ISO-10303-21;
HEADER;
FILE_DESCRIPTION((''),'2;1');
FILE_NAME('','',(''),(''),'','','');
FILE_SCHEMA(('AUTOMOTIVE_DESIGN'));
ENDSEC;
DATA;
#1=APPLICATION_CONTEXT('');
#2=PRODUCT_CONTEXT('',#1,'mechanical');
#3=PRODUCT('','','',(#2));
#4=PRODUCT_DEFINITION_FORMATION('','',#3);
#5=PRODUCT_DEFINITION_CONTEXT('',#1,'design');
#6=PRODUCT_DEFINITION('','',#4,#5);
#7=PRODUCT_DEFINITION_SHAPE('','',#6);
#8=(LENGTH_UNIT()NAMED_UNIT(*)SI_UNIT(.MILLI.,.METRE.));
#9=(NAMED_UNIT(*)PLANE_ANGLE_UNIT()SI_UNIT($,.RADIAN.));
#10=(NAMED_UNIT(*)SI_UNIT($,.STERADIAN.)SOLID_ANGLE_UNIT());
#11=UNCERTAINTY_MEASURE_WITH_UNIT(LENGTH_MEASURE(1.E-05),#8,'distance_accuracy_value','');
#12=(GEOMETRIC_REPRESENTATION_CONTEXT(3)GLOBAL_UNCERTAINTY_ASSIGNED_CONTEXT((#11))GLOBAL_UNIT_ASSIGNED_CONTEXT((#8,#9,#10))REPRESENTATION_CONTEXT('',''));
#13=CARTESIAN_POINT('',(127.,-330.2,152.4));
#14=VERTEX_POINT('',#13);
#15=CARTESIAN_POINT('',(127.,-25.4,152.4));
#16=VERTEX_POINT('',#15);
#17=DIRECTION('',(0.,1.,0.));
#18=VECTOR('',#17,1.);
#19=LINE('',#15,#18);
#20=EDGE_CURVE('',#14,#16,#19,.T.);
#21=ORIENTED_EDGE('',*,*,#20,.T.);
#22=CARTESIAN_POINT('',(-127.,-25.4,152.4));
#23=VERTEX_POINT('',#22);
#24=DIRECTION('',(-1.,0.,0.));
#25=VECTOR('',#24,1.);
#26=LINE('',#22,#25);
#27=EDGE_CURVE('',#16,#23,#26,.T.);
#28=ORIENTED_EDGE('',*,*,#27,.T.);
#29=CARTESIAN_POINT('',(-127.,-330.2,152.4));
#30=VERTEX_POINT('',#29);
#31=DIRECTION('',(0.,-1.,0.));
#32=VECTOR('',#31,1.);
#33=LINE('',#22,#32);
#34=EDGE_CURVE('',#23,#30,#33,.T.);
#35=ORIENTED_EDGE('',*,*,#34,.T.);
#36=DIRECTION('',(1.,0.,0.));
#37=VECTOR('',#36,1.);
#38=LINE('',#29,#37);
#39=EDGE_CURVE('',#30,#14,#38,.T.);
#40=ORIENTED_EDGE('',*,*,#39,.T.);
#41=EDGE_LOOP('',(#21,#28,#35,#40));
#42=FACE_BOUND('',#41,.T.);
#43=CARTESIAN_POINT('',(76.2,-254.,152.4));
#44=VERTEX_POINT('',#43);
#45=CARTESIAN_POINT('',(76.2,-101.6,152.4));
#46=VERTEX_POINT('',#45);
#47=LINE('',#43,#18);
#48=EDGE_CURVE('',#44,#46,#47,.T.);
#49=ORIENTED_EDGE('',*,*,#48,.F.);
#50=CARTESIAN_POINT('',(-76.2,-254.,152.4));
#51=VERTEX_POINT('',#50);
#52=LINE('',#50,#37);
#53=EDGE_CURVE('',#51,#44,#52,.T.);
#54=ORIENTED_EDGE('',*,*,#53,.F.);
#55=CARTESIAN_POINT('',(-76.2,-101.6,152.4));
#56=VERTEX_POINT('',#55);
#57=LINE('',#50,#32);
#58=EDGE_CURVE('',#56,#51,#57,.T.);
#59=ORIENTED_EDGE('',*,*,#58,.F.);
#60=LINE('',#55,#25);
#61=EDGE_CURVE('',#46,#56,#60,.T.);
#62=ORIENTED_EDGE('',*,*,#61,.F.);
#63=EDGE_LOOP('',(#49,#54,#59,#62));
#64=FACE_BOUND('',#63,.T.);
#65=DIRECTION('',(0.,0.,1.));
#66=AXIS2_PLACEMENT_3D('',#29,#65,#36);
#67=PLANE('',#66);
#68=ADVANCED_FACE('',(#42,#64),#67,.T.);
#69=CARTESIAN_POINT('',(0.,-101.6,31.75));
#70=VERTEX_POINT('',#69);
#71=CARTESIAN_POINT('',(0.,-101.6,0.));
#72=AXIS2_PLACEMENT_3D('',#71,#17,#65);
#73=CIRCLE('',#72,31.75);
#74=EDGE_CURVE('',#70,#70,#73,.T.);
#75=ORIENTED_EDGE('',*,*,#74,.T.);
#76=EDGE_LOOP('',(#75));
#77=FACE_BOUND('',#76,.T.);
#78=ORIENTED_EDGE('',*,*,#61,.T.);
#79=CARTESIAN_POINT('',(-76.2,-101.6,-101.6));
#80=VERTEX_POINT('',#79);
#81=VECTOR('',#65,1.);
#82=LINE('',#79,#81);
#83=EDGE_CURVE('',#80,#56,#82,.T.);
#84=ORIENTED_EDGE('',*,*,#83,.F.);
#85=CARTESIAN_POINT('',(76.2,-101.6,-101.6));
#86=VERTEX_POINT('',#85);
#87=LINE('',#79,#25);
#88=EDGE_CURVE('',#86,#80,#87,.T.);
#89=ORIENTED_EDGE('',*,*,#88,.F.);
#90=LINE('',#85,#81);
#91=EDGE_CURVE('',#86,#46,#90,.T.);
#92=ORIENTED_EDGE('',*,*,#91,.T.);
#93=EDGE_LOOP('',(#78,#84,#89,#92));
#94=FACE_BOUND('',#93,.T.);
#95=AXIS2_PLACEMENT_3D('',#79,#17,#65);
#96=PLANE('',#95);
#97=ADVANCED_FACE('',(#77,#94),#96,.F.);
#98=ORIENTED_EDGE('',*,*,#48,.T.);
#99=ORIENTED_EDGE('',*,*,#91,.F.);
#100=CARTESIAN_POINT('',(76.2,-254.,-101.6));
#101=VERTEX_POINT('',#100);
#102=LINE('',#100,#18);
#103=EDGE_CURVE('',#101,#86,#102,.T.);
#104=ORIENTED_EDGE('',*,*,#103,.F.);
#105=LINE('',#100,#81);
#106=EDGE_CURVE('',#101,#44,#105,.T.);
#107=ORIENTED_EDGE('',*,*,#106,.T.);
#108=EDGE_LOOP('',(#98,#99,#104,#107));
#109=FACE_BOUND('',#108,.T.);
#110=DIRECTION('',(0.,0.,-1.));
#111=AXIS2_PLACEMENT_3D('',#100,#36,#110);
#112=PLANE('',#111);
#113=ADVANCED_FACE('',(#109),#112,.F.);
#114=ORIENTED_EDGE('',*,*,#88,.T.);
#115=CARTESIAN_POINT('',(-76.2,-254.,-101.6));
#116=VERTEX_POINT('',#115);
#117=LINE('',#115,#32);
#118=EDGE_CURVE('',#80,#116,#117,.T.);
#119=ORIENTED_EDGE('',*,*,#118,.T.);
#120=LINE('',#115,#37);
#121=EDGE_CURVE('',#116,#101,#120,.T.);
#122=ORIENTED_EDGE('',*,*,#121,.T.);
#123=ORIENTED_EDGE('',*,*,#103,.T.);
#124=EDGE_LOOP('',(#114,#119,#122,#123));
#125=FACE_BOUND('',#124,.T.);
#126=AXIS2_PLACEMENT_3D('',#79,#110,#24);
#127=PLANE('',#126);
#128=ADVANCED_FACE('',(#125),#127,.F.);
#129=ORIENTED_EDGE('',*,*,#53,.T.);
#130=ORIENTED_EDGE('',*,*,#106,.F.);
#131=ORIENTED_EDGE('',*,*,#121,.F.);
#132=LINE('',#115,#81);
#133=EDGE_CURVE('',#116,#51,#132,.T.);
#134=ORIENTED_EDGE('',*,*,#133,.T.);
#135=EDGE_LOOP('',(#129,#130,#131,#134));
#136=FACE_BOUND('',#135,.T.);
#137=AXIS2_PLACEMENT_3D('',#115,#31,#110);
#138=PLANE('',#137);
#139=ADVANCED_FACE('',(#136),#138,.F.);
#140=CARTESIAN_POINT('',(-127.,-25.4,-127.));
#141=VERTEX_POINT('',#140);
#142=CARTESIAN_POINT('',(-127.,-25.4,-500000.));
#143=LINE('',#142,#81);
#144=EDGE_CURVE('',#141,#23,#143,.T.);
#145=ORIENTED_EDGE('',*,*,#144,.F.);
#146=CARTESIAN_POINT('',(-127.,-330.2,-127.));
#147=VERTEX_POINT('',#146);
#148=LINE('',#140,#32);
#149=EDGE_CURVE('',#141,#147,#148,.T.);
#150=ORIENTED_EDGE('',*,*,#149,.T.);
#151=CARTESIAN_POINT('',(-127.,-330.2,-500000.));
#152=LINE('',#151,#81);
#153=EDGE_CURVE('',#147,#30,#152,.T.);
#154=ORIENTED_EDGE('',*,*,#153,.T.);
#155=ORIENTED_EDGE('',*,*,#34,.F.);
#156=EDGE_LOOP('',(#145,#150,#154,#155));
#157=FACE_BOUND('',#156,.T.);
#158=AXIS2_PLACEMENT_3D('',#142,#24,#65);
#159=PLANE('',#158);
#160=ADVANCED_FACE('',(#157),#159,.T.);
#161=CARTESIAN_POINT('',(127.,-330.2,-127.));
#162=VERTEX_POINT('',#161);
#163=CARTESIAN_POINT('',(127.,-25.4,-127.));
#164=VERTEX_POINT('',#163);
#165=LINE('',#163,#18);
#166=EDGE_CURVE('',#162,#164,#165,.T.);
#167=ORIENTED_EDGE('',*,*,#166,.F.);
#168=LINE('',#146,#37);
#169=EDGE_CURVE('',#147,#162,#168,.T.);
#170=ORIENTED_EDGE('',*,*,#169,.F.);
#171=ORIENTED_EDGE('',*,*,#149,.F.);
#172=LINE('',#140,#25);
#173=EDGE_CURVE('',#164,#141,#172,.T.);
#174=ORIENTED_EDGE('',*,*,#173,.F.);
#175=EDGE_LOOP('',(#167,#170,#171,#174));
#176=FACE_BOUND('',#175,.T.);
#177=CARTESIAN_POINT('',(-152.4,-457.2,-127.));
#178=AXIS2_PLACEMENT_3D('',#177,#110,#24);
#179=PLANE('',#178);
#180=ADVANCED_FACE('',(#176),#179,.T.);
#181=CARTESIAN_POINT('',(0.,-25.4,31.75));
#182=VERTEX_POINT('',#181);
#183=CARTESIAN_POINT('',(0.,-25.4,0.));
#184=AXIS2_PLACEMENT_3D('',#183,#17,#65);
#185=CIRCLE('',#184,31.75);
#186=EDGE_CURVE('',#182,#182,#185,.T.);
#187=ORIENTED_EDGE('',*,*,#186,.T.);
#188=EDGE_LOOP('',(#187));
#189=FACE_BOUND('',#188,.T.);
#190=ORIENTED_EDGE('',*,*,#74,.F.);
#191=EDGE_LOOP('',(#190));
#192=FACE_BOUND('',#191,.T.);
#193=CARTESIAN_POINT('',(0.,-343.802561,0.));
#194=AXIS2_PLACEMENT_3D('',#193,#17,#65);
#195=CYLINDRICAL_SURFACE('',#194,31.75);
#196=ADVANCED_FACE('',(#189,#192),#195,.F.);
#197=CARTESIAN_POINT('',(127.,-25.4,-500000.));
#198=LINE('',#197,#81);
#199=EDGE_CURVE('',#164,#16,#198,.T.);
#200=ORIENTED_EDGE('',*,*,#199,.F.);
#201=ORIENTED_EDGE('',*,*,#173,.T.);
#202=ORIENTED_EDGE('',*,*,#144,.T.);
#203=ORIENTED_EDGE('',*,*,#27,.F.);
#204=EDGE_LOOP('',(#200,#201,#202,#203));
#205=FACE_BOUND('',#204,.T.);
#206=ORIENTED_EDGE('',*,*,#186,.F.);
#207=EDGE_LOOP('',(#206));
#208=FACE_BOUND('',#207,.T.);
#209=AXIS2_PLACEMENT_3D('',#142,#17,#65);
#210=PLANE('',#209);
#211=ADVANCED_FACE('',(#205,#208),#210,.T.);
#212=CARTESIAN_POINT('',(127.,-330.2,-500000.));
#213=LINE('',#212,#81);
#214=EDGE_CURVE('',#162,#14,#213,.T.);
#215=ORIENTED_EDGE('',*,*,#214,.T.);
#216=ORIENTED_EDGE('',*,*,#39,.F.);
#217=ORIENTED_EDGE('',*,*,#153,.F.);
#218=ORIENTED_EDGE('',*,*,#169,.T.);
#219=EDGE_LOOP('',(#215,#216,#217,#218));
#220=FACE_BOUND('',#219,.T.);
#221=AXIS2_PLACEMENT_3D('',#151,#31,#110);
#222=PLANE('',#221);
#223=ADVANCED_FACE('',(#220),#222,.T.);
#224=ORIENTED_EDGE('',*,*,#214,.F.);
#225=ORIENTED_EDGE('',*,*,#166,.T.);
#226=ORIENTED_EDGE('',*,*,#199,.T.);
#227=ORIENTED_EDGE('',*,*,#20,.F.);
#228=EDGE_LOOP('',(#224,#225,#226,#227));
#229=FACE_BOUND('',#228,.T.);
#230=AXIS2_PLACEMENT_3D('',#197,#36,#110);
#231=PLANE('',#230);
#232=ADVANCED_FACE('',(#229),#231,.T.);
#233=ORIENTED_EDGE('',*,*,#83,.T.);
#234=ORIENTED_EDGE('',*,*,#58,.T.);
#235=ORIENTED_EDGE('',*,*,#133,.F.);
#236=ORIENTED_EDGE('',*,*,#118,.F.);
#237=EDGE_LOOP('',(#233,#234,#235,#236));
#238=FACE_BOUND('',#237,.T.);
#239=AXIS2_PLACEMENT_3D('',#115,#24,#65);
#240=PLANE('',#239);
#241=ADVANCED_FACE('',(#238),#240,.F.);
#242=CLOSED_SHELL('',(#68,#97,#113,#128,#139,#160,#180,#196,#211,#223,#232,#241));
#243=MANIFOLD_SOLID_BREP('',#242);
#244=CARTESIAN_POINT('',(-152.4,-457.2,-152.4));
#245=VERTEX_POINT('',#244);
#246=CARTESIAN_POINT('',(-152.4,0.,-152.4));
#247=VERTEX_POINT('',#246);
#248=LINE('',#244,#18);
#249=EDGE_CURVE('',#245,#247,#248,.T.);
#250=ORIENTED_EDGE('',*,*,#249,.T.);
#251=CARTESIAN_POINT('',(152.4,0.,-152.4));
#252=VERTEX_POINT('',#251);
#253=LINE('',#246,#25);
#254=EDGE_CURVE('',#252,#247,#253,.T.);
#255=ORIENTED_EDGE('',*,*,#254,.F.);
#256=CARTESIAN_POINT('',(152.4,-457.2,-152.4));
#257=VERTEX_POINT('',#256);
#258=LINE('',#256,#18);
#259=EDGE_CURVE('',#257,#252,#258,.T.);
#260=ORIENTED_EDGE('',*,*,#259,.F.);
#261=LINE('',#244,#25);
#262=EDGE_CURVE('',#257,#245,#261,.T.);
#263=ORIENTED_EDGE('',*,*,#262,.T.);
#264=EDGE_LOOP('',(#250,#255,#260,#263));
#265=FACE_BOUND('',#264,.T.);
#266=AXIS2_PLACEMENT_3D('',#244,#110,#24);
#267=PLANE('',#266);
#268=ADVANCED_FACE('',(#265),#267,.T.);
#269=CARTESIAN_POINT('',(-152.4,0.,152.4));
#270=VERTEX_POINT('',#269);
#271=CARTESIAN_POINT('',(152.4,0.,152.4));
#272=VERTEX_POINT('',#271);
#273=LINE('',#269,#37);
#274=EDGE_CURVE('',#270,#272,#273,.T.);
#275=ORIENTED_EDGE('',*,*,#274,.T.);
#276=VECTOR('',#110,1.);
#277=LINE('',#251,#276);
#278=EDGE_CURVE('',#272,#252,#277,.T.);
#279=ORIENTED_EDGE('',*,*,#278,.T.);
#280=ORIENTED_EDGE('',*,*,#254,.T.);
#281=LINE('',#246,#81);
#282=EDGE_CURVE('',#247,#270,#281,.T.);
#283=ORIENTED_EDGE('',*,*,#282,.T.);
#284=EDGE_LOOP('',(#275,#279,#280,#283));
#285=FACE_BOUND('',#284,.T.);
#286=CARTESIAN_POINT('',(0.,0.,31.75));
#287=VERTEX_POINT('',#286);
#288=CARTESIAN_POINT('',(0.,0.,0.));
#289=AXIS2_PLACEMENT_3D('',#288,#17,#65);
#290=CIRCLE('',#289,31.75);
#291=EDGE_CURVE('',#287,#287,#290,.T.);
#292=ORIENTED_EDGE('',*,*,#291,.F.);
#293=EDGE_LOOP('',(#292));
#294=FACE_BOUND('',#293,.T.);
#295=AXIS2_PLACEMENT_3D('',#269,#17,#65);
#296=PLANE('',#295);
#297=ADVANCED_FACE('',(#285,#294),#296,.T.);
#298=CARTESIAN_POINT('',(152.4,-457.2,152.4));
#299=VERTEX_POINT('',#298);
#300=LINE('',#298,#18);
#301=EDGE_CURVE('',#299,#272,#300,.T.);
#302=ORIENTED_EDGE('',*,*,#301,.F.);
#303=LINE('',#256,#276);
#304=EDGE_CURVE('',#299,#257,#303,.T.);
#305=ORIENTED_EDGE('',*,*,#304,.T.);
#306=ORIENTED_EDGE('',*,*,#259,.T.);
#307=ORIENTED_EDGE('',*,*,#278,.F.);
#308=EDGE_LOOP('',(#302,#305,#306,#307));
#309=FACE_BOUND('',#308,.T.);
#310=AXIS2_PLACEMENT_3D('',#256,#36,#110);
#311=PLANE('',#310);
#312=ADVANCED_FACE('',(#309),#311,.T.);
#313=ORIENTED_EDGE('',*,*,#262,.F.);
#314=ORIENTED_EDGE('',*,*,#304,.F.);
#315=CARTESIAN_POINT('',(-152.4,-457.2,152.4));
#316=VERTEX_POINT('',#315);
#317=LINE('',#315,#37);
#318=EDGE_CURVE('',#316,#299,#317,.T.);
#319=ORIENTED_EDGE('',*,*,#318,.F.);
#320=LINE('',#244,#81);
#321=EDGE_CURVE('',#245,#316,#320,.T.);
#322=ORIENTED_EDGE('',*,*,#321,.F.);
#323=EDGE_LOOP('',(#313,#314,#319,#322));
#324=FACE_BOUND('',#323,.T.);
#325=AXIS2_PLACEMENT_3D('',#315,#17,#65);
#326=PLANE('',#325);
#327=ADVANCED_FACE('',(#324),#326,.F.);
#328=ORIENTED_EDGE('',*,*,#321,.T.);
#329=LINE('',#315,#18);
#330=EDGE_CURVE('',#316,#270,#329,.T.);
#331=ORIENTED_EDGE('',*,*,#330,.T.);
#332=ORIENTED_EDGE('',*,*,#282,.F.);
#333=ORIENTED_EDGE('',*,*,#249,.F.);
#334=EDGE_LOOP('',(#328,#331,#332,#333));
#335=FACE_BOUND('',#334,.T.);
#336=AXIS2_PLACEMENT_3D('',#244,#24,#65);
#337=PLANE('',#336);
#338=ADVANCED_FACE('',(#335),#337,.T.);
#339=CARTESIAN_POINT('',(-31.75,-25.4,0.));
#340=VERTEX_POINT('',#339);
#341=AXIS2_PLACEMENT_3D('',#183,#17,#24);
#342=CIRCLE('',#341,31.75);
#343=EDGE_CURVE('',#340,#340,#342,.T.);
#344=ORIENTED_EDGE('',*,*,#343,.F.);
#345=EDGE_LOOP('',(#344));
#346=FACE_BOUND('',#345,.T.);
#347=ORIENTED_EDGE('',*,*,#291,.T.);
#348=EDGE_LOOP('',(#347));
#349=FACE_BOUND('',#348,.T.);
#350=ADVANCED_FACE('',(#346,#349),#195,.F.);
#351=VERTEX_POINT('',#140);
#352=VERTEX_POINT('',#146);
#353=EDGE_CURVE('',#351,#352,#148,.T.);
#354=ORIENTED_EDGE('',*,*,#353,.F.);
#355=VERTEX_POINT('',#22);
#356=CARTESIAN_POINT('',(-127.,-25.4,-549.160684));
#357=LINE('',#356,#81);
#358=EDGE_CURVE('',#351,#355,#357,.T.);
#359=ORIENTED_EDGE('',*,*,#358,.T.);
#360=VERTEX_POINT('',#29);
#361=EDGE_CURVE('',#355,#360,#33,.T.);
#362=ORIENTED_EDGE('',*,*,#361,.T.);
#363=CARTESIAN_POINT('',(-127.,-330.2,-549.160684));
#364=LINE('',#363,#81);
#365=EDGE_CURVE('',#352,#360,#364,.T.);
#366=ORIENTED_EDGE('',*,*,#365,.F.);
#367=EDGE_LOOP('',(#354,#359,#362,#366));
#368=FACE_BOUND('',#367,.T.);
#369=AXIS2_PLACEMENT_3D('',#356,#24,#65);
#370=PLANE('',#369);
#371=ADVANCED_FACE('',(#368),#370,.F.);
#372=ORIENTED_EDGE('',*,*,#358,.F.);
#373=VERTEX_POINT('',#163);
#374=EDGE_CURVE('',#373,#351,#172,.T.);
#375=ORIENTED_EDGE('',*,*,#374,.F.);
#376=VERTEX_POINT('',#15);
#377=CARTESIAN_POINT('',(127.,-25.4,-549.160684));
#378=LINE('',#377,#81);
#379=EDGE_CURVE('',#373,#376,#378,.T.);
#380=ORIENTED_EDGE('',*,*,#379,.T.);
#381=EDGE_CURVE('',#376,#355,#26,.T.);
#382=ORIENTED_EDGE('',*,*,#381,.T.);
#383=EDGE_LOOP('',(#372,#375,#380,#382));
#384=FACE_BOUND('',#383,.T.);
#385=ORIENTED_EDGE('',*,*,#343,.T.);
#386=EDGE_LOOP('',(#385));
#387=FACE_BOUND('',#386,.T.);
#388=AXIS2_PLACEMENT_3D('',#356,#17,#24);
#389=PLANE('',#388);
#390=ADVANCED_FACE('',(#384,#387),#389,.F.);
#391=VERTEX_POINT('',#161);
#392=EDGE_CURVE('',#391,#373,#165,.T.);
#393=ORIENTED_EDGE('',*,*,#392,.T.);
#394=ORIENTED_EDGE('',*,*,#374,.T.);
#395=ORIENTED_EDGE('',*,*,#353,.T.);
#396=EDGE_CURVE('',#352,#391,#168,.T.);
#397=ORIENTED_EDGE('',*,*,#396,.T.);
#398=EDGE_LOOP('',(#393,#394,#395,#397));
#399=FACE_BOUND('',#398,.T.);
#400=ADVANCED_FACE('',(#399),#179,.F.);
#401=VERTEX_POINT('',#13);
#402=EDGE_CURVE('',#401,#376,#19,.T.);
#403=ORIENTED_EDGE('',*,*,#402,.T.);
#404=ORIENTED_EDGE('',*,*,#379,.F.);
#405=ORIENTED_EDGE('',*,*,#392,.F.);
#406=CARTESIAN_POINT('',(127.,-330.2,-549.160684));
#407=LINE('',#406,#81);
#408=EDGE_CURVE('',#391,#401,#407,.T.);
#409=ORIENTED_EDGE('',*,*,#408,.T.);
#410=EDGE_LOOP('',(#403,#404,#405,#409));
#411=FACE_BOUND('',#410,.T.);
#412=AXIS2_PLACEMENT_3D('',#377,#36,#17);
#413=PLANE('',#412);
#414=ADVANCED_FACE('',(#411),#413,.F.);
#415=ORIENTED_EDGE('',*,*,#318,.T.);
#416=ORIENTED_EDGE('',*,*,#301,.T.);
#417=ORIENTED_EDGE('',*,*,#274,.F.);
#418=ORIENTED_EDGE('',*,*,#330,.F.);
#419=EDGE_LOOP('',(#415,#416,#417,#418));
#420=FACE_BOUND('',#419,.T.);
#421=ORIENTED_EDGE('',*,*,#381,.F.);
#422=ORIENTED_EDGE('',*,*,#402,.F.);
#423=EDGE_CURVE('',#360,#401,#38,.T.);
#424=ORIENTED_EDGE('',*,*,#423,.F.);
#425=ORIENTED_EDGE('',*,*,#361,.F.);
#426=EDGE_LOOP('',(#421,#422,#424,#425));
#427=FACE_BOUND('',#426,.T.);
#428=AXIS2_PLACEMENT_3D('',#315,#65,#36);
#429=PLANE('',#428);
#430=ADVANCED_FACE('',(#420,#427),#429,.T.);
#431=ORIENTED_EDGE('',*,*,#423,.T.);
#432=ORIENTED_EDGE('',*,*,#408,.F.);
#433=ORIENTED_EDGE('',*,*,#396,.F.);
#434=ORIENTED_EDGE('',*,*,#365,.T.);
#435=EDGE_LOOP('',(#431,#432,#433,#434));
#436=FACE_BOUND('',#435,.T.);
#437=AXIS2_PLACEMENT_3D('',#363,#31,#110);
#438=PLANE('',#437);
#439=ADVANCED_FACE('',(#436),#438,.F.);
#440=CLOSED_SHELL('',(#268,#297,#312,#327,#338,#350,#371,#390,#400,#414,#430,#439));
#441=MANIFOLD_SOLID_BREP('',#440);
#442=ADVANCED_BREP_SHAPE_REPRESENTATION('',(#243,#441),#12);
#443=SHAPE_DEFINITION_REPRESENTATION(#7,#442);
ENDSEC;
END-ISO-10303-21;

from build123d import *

# Parameters (mm, degrees)
SKETCH1_W      = 304.8
SKETCH1_H      = 304.8
EXTRUDE1_DEPTH = 457.2
SKETCH2_W      = 254
SKETCH2_H      = 304.8
EXTRUDE2_DEPTH = 279.4
EXTRUDE3_REACH = 306.8
SKETCH3_W      = 254
SKETCH3_H      = 304.8
SKETCH4_W      = 152.4
SKETCH4_H      = 152.4
EXTRUDE4_DEPTH = 254
SKETCH5_R      = 31.75
EXTRUDE5_DEPTH = 254


with BuildPart() as part:
    # Sketch1 → Extrude1 (new body)
    with BuildSketch(Plane(origin=(0, 0, 0), x_dir=(1, 0, 0), z_dir=(0, 1, 0))):
        Rectangle(SKETCH1_W, SKETCH1_H)
    extrude(amount=-EXTRUDE1_DEPTH)

    # Sketch2 → Extrude2 (cut)
    with BuildSketch(Plane.XY.offset(152.4)):
        with Locations((0, -177.8)):
            Rectangle(SKETCH2_W, SKETCH2_H)
    extrude(amount=-EXTRUDE2_DEPTH, mode=Mode.SUBTRACT)


with BuildPart() as body_2:

    # Sketch3 → Extrude3 (new body, up to next)
    with BuildSketch(Plane.XY.offset(152.4), mode=Mode.PRIVATE) as extrude3_sk1:
        with Locations((0, -177.8)):
            Rectangle(SKETCH3_W, SKETCH3_H)
    extrude3_tool1 = extrude(extrude3_sk1.sketch, amount=-EXTRUDE3_REACH, mode=Mode.PRIVATE) - part.part
    add(extrude3_tool1.solids().sort_by_distance((0, -177.8, 152.4))[0])

    # Sketch4 → Extrude4 (cut)
    with BuildSketch(Plane.XY.offset(152.4)):
        with Locations((0, -177.8)):
            Rectangle(SKETCH4_W, SKETCH4_H)
    extrude(amount=-EXTRUDE4_DEPTH, mode=Mode.SUBTRACT)


with BuildPart() as extrude5_tool:
    # Sketch5 → Extrude5 (new body)
    with BuildSketch(Plane(origin=(0, 0, 0), x_dir=(1, 0, 0), z_dir=(0, 1, 0))):
        Circle(SKETCH5_R)
    extrude(amount=-EXTRUDE5_DEPTH)


with BuildPart() as part_1:
    add(part.part)

    # Extrude5: cut by extrude5_tool
    add(extrude5_tool.part, mode=Mode.SUBTRACT)


with BuildPart() as body_2_1:
    add(body_2.part)

    # Extrude5: cut by extrude5_tool
    add(extrude5_tool.part, mode=Mode.SUBTRACT)


solid = Compound([part_1.part, body_2_1.part])
